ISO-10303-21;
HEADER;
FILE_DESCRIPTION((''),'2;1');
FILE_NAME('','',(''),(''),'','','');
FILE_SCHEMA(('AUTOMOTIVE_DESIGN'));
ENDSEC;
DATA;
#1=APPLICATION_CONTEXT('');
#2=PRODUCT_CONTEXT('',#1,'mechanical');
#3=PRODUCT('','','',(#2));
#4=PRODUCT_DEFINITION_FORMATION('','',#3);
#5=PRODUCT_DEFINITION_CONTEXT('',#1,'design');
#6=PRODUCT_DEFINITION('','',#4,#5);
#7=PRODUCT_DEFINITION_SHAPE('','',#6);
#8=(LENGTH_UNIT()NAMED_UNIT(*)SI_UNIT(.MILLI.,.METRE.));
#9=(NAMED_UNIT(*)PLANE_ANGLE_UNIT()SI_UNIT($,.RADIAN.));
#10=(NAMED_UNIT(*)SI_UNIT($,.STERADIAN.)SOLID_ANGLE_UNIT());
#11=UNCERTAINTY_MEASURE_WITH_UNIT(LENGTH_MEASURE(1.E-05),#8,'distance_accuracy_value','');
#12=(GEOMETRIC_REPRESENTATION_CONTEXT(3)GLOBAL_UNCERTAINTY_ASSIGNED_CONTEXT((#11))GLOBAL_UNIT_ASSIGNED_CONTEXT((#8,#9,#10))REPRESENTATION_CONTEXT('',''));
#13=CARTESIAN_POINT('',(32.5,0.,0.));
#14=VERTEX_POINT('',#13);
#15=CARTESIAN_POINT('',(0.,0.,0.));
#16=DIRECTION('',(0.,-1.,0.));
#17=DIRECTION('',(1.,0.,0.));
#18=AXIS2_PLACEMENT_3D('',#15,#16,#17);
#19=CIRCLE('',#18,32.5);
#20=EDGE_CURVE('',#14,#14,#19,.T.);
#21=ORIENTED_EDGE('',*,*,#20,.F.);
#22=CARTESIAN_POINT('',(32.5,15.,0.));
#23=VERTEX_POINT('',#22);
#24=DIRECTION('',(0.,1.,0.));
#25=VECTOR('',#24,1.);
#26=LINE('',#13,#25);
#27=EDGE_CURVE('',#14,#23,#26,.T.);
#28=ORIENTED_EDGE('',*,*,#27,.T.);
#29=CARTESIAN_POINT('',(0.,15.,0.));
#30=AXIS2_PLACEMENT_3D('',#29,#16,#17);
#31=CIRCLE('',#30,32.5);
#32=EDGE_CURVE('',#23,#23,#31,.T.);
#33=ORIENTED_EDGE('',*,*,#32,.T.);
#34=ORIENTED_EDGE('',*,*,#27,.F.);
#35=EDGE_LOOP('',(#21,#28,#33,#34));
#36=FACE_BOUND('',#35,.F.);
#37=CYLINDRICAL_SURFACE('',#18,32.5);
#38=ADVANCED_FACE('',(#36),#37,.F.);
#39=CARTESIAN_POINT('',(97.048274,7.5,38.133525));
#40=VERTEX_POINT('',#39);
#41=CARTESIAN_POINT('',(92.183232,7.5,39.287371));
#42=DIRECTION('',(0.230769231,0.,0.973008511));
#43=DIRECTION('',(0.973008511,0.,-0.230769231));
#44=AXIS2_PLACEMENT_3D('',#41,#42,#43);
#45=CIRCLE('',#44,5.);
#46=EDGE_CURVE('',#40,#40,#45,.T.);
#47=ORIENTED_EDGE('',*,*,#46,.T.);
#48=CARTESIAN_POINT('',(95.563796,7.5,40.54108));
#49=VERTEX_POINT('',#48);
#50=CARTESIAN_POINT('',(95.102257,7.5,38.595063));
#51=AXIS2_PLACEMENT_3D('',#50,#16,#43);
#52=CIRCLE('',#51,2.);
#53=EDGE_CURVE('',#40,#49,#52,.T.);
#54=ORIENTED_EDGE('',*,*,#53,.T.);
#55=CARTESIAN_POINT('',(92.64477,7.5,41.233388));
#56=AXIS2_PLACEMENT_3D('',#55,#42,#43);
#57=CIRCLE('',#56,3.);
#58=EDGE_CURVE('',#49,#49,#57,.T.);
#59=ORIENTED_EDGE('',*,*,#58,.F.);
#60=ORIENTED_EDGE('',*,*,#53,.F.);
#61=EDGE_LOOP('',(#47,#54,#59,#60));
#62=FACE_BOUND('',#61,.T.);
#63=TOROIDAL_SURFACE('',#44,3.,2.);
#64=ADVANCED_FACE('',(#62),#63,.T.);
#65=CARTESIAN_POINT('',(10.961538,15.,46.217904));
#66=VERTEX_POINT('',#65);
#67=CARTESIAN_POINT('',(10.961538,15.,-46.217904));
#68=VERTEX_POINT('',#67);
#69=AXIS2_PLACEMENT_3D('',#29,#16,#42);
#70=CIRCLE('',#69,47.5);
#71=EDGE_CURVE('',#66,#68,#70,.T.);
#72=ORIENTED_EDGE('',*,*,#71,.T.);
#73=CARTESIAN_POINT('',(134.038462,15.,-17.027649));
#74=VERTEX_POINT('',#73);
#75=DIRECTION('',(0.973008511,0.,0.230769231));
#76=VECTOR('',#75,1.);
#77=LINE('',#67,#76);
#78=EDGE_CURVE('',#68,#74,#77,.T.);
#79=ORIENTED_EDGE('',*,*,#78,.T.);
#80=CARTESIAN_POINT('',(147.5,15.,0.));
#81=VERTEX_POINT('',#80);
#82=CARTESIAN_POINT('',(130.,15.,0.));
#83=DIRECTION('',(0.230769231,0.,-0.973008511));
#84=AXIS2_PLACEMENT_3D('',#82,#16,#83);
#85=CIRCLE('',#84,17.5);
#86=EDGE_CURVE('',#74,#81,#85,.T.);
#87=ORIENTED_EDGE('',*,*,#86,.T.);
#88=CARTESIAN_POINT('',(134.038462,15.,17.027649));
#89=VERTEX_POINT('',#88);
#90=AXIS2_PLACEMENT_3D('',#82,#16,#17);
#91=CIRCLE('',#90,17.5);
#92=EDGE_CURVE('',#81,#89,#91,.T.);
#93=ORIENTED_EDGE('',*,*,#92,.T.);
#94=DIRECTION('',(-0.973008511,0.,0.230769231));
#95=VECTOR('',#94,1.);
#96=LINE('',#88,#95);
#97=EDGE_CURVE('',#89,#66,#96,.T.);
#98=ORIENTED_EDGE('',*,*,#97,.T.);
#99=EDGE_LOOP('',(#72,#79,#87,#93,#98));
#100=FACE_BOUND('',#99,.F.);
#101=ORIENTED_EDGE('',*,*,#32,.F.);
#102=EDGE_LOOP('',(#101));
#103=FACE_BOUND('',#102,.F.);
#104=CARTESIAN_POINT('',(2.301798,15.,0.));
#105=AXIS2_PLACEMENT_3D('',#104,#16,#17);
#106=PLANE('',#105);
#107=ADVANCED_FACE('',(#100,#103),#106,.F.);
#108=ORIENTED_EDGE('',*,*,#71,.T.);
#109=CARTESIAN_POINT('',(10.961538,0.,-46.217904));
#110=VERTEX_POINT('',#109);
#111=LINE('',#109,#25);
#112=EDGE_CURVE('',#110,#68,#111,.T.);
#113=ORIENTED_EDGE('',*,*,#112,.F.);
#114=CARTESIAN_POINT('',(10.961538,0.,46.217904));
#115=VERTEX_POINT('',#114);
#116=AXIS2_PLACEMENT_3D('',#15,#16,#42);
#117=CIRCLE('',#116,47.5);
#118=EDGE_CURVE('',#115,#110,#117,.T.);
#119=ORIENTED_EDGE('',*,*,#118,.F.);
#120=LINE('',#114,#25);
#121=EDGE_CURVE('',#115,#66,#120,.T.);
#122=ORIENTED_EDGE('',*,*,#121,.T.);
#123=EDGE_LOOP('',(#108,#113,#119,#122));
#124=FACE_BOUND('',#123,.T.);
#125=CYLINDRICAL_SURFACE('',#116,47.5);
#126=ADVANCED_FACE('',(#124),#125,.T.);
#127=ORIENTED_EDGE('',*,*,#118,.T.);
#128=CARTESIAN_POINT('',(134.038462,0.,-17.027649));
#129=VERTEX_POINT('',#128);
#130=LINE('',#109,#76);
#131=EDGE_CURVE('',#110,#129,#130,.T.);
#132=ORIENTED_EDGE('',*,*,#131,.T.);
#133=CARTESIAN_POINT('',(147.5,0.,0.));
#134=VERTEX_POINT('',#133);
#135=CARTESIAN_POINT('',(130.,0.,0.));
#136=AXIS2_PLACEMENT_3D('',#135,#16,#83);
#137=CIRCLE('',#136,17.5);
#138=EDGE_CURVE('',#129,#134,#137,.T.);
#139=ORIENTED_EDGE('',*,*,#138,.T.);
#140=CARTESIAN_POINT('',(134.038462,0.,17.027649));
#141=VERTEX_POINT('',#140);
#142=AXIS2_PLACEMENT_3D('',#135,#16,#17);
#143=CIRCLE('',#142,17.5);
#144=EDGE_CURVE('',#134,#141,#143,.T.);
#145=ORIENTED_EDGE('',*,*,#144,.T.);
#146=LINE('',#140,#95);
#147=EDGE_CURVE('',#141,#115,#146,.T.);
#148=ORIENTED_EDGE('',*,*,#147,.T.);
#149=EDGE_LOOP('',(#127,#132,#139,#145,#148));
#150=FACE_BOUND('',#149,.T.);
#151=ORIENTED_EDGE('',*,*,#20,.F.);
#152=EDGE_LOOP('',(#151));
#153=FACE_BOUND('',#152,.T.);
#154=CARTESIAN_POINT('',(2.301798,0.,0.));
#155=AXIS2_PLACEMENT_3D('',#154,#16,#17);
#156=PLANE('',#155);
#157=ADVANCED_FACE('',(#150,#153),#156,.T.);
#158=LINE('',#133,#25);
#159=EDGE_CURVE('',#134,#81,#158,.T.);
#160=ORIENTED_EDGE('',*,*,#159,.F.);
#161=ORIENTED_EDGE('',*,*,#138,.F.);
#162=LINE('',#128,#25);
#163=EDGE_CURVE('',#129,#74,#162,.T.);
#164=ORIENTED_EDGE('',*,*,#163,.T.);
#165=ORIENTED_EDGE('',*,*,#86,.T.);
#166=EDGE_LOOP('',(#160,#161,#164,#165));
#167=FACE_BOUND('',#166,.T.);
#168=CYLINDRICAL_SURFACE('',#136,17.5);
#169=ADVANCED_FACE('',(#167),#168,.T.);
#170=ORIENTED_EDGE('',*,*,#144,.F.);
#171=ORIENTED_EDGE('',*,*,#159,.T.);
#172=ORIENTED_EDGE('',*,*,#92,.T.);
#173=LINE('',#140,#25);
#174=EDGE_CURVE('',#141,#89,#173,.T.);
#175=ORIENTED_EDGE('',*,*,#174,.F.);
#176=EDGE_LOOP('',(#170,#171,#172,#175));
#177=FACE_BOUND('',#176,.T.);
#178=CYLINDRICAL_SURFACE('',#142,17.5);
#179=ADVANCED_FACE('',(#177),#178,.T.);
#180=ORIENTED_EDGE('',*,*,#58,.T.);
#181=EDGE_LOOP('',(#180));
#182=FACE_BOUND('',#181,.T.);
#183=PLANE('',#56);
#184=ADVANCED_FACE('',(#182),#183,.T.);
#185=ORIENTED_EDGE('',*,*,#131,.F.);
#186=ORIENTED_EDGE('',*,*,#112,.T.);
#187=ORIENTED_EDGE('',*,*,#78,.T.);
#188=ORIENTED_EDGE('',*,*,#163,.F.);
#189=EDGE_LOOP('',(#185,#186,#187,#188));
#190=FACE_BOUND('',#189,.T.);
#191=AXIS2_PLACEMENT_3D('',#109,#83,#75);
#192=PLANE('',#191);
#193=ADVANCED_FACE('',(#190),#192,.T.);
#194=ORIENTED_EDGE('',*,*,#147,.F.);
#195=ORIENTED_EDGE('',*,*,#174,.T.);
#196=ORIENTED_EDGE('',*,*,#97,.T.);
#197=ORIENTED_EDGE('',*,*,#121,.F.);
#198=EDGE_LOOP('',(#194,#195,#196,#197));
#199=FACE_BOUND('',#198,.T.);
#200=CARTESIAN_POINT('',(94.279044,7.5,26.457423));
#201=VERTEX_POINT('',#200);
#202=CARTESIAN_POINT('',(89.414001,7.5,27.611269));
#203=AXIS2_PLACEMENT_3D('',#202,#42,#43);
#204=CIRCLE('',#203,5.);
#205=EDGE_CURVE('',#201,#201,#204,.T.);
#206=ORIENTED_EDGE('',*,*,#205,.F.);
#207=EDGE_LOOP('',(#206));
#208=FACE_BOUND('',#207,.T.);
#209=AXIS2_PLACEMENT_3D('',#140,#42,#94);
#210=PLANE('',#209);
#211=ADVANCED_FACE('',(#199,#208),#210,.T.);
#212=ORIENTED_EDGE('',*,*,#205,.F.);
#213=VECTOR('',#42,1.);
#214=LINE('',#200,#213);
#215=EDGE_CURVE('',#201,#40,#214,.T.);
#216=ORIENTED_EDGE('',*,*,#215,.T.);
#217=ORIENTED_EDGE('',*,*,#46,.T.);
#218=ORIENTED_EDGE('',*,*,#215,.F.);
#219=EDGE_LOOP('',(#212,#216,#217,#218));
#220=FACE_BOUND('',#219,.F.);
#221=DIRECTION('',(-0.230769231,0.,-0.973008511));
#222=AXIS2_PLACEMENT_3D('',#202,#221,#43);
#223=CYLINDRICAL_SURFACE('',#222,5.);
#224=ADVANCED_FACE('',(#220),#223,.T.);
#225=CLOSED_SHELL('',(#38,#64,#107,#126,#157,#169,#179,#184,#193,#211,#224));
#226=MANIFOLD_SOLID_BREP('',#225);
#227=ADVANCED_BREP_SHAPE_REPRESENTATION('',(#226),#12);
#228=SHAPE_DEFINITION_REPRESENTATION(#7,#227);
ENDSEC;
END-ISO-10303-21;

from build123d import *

# Parameters (mm, degrees)
F0_R     = 32.5
F1_DEPTH = 15
F2_R     = 5
F3_DEPTH = 14
F4_R     = 2


with BuildPart() as f1:
    # F0 (on Front) → F1 (new body)
    with BuildSketch(Plane.XZ):
        with BuildLine():
            ThreePointArc((10.9615384615, -46.217904264), (37.2620656763, -29.4582494649), (47.5, 0))
            ThreePointArc((47.5, 0), (37.2620656763, 29.4582494649), (10.9615384615, 46.217904264))
            ThreePointArc((10.9615384615, 46.217904264), (-47.5, 0), (10.9615384615, -46.217904264))
        make_face()
        Circle(F0_R, mode=Mode.SUBTRACT)
        with BuildLine():
            ThreePointArc((10.9615384615, 46.217904264), (37.2620656763, 29.4582494649), (47.5, 0))
            ThreePointArc((47.5, 0), (37.2620656763, -29.4582494649), (10.9615384615, -46.217904264))
            Line((10.9615384615, -46.217904264), (134.0384615385, -17.0276489394))
            ThreePointArc((134.0384615385, -17.0276489394), (112.5, 0), (134.0384615385, 17.0276489394))
            Line((134.0384615385, 17.0276489394), (10.9615384615, 46.217904264))
        make_face()
        with BuildLine():
            ThreePointArc((147.5, 0), (143.7281294597, 10.8530392766), (134.0384615385, 17.0276489394))
            ThreePointArc((134.0384615385, 17.0276489394), (112.5, 0), (134.0384615385, -17.0276489394))
            ThreePointArc((134.0384615385, -17.0276489394), (143.7281294597, -10.8530392766), (147.5, 0))
        make_face()
    extrude(amount=-F1_DEPTH)

    # F2 (on face) → F3 (join)
    with BuildSketch(Plane(origin=(10.9615384615, 0, 46.217904264), x_dir=(0.9730085108, 0, -0.2307692308), z_dir=(0.2307692308, 0, 0.9730085108))):
        with Locations((80.6287527084, 7.5)):
            Circle(F2_R)
    extrude(amount=F3_DEPTH)

    # F4
    f4_edges = [f1.edges().sort_by_distance(p)[0] for p in [
        (87.779728, 7.5, 42.387234),
    ]]
    fillet(f4_edges, radius=F4_R)


solid = f1.part
